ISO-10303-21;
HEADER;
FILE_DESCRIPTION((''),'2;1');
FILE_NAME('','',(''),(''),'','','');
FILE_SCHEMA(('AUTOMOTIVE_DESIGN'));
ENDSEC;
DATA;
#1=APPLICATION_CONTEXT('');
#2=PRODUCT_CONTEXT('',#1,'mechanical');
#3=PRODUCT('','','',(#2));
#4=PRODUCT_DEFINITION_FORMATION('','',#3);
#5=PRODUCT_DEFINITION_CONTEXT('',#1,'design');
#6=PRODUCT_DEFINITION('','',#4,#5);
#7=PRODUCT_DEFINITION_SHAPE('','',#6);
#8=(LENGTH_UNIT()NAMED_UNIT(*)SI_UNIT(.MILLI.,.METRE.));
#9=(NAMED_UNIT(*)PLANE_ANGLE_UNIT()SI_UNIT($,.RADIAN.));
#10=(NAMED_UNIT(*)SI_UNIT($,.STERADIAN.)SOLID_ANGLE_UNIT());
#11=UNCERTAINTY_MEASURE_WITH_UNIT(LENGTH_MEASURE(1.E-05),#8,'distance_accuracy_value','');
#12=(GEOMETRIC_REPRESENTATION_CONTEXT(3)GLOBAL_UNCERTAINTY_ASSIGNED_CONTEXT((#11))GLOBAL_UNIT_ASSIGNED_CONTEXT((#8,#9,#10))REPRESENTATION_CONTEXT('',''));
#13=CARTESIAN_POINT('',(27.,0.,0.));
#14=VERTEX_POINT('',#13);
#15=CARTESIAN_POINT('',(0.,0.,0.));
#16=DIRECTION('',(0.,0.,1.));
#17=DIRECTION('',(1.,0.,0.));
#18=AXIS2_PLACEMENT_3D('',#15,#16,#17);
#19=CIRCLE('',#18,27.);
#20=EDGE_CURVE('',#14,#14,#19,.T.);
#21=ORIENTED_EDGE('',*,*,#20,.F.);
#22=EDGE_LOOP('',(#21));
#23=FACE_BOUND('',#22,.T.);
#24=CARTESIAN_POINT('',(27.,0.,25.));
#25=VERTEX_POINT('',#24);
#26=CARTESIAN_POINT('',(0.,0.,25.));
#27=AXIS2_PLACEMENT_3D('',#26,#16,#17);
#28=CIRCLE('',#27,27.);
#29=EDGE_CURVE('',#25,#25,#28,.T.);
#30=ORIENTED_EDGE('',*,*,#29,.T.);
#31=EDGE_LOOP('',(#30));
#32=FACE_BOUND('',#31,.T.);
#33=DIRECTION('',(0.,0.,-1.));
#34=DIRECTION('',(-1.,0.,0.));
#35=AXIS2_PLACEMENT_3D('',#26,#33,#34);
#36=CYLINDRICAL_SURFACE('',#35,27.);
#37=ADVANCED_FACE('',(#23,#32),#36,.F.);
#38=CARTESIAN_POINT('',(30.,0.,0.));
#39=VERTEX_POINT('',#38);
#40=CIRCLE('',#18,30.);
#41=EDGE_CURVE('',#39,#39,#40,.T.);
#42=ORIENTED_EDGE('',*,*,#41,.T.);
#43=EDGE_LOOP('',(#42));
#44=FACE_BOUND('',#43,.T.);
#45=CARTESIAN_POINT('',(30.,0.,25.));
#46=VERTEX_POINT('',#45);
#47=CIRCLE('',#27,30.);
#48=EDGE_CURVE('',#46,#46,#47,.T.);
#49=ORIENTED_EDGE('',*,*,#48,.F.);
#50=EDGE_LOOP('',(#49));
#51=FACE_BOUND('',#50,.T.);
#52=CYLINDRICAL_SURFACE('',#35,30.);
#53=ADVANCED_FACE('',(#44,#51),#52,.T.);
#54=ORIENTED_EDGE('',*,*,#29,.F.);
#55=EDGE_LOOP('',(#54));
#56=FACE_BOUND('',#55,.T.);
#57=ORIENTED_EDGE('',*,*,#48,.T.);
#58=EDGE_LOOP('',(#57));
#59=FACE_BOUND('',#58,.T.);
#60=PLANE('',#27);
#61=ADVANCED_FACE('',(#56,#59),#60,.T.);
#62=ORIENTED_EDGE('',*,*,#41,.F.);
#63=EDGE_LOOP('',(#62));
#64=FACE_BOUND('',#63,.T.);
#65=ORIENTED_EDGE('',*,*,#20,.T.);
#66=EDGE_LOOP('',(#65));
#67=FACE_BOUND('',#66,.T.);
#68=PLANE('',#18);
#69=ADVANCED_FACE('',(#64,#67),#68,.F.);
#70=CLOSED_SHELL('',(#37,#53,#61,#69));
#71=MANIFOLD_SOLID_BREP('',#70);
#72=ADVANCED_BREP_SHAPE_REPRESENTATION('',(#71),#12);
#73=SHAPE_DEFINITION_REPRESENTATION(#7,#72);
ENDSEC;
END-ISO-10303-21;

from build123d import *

# Parameters (mm, degrees)
ESQUISSE1_R        = 30
ESQUISSE1_R_2      = 27
BOSS_EXTRU_1_DEPTH = 25


with BuildPart() as part:
    # Esquisse1 → Boss.-Extru.1 (new body)
    with BuildSketch(Plane.XY):
        Circle(ESQUISSE1_R)
        Circle(ESQUISSE1_R_2, mode=Mode.SUBTRACT)
    extrude(amount=BOSS_EXTRU_1_DEPTH)


solid = part.part
